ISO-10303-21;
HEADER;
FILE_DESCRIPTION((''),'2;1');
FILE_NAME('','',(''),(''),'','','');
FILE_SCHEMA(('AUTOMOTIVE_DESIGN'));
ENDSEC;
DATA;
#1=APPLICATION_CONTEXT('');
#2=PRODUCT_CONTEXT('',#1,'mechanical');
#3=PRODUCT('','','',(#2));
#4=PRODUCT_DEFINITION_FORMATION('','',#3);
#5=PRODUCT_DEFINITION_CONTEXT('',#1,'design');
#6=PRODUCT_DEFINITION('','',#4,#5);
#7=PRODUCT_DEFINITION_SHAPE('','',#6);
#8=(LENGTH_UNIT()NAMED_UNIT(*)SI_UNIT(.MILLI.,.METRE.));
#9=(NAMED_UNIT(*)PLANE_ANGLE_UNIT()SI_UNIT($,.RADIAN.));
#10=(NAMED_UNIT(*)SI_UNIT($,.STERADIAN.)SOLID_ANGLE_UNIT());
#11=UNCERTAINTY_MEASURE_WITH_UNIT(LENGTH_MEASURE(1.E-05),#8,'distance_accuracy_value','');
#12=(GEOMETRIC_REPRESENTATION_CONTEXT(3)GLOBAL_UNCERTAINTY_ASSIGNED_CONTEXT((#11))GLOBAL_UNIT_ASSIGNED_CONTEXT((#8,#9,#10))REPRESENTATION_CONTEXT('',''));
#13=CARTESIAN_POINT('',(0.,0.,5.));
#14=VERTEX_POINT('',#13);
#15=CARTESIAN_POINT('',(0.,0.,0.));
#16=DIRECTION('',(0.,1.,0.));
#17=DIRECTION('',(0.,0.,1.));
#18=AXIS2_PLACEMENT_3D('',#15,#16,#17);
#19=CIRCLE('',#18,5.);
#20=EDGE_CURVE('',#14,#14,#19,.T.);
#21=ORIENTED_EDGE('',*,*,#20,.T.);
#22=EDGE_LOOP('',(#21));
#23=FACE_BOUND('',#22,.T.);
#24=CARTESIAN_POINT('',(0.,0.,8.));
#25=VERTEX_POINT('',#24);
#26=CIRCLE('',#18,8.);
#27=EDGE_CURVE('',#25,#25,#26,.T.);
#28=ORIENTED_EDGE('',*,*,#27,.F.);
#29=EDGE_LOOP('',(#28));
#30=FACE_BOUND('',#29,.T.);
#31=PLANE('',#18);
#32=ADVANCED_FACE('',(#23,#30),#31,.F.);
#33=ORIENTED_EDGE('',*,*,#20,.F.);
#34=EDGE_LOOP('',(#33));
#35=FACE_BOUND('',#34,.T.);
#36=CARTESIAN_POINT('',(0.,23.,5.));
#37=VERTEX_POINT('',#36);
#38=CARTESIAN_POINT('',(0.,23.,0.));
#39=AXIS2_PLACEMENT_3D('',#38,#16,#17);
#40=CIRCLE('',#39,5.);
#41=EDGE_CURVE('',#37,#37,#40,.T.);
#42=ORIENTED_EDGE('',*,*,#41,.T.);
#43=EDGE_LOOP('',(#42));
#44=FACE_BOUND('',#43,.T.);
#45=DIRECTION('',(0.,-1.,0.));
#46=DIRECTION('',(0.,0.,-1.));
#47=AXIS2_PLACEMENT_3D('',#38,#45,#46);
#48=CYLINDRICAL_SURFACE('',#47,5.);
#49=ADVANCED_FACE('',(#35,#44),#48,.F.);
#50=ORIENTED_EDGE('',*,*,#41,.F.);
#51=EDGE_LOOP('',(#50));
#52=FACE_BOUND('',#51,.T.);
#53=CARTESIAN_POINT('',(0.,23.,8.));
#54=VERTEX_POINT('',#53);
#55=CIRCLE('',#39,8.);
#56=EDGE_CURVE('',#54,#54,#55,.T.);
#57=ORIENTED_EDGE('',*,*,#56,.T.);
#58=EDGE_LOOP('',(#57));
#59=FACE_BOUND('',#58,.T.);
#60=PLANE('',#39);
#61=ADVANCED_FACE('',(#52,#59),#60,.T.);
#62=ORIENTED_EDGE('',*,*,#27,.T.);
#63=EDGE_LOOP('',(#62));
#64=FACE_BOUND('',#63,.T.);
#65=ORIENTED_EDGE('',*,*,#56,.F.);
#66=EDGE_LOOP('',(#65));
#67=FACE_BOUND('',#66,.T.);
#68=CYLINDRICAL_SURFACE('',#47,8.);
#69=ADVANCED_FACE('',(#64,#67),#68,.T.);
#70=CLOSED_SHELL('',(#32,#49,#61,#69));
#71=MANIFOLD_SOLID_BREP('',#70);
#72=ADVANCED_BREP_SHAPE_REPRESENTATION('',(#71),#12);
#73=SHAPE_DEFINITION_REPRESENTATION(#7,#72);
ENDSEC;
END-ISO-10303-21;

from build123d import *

# Parameters (mm, degrees)
SKETCH1_R           = 8
SKETCH1_R_2         = 5
BOSS_EXTRUDE1_DEPTH = 23


with BuildPart() as part:
    # Sketch1 → Boss-Extrude1 (new body)
    with BuildSketch(Plane(origin=(0, 0, 0), x_dir=(1, 0, 0), z_dir=(0, 1, 0))):
        with Locations(Location((0, 0, 0), (0, 0, 270))):
            Circle(SKETCH1_R)
        with Locations(Location((0, 0, 0), (0, 0, 270))):
            Circle(SKETCH1_R_2, mode=Mode.SUBTRACT)
    extrude(amount=BOSS_EXTRUDE1_DEPTH)


solid = part.part
